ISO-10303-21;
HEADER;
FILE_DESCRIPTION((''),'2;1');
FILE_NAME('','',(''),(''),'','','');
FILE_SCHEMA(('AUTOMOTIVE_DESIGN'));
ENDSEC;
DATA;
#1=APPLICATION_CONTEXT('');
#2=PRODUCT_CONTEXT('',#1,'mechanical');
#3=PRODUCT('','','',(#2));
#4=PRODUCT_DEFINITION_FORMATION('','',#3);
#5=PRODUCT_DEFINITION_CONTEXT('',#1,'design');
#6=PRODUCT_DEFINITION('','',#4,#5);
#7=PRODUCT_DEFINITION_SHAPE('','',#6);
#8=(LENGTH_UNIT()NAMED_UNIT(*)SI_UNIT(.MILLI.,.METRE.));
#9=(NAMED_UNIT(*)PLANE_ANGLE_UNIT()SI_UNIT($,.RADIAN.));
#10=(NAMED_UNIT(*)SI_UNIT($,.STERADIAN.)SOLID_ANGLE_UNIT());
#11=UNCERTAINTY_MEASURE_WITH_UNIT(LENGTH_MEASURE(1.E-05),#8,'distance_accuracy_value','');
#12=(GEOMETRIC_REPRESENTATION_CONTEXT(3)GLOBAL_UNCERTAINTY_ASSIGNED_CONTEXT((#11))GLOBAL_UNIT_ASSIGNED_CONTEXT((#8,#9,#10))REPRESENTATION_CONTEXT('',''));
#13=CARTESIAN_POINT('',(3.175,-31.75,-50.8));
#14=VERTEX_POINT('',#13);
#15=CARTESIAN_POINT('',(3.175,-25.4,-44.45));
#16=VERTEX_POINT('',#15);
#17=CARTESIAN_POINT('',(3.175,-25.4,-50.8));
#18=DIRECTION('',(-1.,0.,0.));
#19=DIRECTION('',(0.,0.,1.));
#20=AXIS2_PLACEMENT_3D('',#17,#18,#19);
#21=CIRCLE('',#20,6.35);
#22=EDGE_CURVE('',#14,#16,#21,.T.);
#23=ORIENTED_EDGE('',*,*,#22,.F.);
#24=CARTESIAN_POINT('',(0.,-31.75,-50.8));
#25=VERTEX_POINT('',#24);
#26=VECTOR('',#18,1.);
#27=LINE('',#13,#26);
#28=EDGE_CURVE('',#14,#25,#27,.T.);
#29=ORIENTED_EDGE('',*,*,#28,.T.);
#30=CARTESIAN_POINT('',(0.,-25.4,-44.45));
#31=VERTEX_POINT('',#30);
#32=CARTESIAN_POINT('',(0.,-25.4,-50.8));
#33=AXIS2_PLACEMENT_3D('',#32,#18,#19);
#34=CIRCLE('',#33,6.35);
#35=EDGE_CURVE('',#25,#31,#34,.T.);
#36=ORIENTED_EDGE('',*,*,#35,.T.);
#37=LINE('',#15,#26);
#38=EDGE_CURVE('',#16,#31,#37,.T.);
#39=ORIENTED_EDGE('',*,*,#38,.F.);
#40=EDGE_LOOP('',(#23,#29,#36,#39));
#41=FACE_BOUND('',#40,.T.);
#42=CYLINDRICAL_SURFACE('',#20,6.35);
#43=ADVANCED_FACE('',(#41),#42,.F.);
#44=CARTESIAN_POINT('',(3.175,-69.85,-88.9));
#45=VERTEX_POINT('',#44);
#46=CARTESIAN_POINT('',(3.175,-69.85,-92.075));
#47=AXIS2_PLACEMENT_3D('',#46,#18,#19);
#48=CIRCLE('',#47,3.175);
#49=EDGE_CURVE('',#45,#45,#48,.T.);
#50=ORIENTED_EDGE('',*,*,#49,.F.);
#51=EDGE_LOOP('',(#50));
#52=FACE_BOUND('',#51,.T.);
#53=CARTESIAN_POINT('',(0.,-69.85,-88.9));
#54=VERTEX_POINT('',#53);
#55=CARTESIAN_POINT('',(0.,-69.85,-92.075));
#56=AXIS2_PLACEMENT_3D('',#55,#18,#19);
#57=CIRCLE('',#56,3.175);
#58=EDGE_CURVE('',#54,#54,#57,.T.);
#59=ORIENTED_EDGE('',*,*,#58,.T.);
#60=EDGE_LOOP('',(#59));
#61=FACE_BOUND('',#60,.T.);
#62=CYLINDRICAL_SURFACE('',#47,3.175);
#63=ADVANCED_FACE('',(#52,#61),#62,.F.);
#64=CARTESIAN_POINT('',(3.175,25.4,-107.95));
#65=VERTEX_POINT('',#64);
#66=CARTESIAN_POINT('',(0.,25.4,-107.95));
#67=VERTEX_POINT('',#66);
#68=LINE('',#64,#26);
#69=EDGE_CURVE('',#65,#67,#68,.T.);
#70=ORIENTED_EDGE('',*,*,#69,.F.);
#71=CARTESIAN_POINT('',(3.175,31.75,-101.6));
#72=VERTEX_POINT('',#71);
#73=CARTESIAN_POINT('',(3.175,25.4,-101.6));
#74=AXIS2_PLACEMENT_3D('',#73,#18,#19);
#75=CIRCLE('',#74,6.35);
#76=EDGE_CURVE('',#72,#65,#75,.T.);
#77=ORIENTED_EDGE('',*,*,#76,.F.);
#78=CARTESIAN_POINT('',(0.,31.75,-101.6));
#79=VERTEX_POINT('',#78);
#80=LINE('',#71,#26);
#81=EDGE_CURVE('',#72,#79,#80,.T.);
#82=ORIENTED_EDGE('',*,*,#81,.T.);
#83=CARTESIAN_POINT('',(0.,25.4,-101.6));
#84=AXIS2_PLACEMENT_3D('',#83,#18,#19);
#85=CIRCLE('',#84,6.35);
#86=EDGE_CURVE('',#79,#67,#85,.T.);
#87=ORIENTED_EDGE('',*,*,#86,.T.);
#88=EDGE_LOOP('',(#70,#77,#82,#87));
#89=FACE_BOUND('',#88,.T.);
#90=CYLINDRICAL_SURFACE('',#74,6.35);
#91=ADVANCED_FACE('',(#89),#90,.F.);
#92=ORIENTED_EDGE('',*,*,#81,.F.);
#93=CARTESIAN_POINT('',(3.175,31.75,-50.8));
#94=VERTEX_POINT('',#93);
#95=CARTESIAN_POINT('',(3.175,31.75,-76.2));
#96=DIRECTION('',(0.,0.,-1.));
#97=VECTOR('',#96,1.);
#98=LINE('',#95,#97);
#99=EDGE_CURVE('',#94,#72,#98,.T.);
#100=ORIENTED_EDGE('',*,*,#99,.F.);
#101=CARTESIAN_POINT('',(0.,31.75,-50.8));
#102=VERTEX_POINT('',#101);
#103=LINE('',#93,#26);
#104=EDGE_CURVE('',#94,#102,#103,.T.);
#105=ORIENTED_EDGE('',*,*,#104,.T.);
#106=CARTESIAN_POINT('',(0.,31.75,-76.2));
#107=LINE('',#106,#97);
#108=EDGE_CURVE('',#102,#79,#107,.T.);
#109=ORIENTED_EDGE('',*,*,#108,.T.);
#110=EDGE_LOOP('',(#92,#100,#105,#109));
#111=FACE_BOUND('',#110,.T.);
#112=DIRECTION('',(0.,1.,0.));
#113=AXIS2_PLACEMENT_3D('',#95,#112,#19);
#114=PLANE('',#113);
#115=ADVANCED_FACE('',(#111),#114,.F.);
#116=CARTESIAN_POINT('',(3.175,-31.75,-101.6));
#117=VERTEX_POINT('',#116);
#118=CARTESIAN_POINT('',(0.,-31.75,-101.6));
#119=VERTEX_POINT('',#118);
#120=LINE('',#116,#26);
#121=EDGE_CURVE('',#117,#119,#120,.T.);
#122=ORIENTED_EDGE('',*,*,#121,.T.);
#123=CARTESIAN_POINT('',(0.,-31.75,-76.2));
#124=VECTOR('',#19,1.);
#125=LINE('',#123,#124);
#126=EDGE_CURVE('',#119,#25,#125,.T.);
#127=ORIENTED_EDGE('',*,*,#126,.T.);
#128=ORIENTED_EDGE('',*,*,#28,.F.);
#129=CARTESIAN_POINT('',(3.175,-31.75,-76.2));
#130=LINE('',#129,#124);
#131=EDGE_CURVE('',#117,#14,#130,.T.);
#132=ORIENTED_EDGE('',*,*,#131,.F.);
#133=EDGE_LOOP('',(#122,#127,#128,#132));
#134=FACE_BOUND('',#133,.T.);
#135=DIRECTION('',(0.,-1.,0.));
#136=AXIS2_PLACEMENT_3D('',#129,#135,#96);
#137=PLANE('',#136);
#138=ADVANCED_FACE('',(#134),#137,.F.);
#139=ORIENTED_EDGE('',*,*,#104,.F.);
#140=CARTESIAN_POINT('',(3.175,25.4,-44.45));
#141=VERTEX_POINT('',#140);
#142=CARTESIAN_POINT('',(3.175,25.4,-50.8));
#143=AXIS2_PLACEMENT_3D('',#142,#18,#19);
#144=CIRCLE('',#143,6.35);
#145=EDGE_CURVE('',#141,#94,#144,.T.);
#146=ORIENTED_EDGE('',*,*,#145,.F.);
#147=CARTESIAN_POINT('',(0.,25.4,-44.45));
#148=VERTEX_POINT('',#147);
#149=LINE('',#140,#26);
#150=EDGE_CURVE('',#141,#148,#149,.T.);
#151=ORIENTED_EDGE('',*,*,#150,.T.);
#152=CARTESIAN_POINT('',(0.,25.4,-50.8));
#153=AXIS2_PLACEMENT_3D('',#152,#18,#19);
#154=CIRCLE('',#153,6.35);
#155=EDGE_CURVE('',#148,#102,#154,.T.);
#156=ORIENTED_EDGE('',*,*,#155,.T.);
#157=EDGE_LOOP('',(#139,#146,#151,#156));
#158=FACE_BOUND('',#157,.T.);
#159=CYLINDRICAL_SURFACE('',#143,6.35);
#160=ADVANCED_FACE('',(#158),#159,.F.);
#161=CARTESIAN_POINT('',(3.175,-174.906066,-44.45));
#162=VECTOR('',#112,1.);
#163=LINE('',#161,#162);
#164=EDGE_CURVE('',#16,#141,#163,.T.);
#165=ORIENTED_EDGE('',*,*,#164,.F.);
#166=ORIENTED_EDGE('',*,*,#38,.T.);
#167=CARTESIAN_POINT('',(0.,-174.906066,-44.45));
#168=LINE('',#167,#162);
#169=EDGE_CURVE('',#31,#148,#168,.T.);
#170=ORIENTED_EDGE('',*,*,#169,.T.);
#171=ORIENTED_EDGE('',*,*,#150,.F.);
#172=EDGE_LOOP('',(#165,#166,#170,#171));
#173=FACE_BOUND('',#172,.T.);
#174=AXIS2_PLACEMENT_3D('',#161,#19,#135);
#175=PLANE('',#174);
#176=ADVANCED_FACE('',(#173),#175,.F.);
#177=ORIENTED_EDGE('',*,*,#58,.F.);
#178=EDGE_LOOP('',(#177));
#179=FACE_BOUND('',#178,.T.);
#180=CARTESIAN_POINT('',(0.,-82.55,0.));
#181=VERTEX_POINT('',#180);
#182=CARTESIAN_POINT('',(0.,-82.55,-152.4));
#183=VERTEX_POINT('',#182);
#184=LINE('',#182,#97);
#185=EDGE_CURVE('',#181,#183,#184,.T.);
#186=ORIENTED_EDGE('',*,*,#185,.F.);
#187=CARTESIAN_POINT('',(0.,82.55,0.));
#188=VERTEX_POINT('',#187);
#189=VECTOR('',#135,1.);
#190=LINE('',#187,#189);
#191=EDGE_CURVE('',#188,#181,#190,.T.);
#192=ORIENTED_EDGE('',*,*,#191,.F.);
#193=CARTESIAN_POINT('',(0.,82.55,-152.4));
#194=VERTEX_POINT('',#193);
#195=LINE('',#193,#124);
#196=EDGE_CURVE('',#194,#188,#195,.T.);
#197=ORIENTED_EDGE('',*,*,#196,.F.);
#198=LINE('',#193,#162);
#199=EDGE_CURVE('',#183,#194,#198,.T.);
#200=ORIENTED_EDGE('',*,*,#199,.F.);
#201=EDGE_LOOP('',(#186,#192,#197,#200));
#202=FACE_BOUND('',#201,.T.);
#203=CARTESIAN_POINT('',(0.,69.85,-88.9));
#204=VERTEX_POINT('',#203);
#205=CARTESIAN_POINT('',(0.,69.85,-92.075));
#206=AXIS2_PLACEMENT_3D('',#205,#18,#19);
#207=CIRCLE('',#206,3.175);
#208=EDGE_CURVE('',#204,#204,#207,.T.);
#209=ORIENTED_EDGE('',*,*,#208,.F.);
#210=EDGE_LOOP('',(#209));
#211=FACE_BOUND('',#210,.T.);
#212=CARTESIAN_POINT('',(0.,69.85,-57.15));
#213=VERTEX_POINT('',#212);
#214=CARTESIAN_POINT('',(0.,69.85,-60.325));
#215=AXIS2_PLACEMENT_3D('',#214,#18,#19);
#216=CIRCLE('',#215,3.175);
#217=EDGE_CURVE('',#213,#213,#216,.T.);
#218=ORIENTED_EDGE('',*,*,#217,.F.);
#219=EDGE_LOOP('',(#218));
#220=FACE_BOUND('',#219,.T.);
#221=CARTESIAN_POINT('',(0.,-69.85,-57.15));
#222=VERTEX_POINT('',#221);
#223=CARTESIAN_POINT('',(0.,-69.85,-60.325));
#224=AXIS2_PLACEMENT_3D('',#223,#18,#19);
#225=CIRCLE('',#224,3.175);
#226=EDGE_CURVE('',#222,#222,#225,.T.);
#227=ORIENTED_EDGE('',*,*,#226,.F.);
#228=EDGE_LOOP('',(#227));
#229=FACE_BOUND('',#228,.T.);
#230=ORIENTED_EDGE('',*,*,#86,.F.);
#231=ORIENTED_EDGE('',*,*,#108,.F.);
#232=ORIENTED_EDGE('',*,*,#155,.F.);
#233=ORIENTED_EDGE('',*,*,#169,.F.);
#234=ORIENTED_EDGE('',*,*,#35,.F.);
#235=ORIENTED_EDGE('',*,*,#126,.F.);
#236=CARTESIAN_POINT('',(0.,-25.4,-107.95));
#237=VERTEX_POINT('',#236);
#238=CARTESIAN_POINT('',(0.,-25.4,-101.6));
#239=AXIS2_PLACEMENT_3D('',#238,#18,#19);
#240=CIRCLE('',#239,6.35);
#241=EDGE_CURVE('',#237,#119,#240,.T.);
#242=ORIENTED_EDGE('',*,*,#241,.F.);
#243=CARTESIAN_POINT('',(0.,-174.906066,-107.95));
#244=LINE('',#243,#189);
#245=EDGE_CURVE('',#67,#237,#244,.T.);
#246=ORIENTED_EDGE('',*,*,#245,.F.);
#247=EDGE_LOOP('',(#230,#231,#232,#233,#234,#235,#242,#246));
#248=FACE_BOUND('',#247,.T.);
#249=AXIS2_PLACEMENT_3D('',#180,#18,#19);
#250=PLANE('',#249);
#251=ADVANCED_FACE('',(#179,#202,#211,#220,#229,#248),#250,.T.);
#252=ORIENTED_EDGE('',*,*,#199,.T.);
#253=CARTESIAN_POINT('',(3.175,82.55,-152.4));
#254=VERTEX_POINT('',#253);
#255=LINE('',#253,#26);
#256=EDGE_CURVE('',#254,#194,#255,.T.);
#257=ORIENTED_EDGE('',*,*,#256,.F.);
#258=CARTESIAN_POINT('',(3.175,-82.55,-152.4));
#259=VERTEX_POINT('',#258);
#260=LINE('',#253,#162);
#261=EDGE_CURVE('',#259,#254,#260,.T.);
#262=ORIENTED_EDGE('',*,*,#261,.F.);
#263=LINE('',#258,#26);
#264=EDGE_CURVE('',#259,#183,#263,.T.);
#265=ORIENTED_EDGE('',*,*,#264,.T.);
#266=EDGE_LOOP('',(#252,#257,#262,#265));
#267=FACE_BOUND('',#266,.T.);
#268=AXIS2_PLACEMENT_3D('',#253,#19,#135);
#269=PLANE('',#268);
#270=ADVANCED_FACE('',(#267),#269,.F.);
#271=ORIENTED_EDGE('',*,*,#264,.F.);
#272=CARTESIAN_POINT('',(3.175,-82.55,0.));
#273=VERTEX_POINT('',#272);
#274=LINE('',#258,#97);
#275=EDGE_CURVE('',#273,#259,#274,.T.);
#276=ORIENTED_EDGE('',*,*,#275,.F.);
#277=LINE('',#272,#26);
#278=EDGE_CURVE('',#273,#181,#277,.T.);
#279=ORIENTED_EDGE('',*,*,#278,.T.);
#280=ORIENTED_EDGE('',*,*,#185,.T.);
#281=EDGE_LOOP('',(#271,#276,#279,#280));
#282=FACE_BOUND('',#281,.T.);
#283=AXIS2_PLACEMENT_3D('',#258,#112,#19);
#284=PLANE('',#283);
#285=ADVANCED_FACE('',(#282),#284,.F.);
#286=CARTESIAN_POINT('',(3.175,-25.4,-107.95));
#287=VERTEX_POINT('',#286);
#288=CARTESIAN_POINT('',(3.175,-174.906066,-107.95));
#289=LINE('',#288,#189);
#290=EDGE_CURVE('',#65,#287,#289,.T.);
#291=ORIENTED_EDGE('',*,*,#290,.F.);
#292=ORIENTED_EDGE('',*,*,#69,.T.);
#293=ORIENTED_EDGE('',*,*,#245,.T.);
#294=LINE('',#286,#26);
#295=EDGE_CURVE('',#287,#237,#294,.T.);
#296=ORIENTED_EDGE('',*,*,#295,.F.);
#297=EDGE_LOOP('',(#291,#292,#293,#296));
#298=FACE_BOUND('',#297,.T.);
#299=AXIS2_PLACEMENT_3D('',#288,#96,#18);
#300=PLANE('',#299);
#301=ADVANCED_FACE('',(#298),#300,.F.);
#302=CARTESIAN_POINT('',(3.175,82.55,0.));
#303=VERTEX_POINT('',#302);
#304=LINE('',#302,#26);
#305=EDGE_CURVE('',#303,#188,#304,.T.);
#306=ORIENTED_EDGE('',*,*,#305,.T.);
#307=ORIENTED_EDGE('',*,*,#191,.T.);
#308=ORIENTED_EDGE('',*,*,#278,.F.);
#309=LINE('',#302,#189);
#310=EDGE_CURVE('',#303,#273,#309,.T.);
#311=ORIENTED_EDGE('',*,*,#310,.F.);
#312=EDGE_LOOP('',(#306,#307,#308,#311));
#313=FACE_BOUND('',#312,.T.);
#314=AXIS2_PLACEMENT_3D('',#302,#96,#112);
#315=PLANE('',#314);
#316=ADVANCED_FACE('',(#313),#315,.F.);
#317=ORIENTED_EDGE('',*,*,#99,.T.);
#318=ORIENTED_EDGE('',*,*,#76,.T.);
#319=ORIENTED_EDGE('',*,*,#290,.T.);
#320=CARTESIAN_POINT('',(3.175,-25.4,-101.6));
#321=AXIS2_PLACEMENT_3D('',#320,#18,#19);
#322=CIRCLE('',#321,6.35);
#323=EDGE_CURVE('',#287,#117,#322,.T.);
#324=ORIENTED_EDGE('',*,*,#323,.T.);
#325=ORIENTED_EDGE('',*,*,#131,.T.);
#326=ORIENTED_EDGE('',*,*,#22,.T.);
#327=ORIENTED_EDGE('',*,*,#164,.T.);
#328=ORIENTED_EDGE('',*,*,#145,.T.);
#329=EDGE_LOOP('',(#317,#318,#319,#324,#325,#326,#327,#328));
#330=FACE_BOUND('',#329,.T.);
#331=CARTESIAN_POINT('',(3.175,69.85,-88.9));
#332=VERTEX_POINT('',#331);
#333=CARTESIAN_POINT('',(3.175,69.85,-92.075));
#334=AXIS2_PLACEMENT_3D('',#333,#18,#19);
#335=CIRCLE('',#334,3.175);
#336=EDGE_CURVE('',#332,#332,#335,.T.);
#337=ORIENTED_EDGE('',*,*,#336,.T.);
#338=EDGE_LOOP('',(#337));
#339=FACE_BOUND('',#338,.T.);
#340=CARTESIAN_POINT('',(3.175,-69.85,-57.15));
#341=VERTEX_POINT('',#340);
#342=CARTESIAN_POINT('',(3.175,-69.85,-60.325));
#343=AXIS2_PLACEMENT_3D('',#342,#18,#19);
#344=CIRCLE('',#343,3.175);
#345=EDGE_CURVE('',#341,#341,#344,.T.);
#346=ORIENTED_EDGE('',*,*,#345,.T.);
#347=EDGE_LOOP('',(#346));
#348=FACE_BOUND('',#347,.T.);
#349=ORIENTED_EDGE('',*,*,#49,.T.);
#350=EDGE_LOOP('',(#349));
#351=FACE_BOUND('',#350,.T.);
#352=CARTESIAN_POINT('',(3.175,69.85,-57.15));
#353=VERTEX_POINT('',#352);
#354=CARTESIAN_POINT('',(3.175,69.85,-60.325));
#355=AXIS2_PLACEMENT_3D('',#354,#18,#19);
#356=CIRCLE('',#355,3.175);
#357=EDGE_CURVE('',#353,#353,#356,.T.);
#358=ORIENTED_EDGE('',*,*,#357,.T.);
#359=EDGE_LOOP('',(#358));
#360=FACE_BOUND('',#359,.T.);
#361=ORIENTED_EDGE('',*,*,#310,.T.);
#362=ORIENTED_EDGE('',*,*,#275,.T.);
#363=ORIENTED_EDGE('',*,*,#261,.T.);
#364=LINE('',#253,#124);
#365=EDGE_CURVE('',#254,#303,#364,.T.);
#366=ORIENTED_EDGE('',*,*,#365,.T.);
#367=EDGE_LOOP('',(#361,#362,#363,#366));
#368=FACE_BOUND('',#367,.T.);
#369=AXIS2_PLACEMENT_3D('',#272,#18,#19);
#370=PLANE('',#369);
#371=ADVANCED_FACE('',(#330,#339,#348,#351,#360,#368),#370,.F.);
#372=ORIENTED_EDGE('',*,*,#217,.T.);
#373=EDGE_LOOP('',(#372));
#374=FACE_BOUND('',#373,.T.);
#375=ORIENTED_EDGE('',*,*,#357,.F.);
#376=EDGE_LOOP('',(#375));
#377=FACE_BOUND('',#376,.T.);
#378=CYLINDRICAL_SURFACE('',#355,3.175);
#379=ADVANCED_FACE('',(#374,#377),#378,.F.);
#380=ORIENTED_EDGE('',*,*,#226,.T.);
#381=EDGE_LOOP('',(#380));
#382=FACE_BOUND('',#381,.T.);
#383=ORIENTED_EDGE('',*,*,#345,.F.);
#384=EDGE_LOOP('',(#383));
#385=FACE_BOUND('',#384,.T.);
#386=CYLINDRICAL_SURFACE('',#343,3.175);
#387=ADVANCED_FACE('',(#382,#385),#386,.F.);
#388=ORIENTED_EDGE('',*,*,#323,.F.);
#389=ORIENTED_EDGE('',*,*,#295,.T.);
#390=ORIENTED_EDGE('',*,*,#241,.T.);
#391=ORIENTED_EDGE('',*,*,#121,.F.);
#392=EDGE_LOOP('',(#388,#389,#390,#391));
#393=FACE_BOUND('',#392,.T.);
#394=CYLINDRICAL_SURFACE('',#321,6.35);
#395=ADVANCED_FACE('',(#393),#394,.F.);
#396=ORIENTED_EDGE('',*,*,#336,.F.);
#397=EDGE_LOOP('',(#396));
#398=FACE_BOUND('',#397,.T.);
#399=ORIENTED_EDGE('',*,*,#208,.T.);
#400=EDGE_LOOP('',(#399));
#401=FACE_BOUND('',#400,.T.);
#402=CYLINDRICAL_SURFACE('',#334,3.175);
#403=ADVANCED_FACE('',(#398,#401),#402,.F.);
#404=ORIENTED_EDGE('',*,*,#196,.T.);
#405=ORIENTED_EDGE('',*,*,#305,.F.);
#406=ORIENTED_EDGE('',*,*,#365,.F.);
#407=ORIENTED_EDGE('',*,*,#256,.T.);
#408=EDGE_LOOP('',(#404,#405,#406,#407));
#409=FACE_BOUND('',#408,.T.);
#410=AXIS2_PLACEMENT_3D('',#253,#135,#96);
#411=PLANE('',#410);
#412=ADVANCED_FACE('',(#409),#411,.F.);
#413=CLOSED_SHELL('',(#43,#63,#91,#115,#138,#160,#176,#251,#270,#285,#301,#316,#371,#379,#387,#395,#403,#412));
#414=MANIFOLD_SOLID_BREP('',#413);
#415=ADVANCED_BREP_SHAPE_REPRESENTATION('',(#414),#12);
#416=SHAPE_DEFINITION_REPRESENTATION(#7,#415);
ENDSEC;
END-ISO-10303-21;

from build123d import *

# Parameters (mm, degrees)
SKETCH1_W           = 152.4
SKETCH1_H           = 165.1
BOSS_EXTRUDE1_DEPTH = 3.175
CUT_EXTRUDE1_DEPTH  = 4.175
SKETCH3_R           = 3.175
CUT_EXTRUDE2_DEPTH  = 4.175


with BuildPart() as part:
    # Sketch1 → Boss-Extrude1 (new body)
    with BuildSketch(Plane(origin=(0, 0, 0), x_dir=(0, 0, -1), z_dir=(1, 0, 0))):
        with Locations((76.2, 0)):
            Rectangle(SKETCH1_W, SKETCH1_H)
    extrude(amount=BOSS_EXTRUDE1_DEPTH)

    # Sketch2 → Cut-Extrude1 (cut, through all)
    with BuildSketch(Plane.ZY):
        with BuildLine():
            Line((-107.95, 25.4), (-107.95, -25.4))
            ThreePointArc((-107.95, -25.4), (-106.090128061, -29.890128061), (-101.6, -31.75))
            Line((-101.6, -31.75), (-50.8, -31.75))
            ThreePointArc((-50.8, -31.75), (-46.309871939, -29.890128061), (-44.45, -25.4))
            Line((-44.45, -25.4), (-44.45, 25.4))
            ThreePointArc((-44.45, 25.4), (-46.309871939, 29.890128061), (-50.8, 31.75))
            Line((-50.8, 31.75), (-101.6, 31.75))
            ThreePointArc((-101.6, 31.75), (-106.090128061, 29.890128061), (-107.95, 25.4))
        make_face()
    extrude(amount=-CUT_EXTRUDE1_DEPTH, mode=Mode.SUBTRACT)

    # Sketch3 → Cut-Extrude2 (cut, through all)
    with BuildSketch(Plane.ZY):
        with Locations((-60.325, 69.85)):
            Circle(SKETCH3_R)
        with Locations((-92.075, 69.85)):
            Circle(SKETCH3_R)
        with Locations((-92.075, -69.85)):
            Circle(SKETCH3_R)
        with Locations((-60.325, -69.85)):
            Circle(SKETCH3_R)
    extrude(amount=-CUT_EXTRUDE2_DEPTH, mode=Mode.SUBTRACT)


solid = part.part
